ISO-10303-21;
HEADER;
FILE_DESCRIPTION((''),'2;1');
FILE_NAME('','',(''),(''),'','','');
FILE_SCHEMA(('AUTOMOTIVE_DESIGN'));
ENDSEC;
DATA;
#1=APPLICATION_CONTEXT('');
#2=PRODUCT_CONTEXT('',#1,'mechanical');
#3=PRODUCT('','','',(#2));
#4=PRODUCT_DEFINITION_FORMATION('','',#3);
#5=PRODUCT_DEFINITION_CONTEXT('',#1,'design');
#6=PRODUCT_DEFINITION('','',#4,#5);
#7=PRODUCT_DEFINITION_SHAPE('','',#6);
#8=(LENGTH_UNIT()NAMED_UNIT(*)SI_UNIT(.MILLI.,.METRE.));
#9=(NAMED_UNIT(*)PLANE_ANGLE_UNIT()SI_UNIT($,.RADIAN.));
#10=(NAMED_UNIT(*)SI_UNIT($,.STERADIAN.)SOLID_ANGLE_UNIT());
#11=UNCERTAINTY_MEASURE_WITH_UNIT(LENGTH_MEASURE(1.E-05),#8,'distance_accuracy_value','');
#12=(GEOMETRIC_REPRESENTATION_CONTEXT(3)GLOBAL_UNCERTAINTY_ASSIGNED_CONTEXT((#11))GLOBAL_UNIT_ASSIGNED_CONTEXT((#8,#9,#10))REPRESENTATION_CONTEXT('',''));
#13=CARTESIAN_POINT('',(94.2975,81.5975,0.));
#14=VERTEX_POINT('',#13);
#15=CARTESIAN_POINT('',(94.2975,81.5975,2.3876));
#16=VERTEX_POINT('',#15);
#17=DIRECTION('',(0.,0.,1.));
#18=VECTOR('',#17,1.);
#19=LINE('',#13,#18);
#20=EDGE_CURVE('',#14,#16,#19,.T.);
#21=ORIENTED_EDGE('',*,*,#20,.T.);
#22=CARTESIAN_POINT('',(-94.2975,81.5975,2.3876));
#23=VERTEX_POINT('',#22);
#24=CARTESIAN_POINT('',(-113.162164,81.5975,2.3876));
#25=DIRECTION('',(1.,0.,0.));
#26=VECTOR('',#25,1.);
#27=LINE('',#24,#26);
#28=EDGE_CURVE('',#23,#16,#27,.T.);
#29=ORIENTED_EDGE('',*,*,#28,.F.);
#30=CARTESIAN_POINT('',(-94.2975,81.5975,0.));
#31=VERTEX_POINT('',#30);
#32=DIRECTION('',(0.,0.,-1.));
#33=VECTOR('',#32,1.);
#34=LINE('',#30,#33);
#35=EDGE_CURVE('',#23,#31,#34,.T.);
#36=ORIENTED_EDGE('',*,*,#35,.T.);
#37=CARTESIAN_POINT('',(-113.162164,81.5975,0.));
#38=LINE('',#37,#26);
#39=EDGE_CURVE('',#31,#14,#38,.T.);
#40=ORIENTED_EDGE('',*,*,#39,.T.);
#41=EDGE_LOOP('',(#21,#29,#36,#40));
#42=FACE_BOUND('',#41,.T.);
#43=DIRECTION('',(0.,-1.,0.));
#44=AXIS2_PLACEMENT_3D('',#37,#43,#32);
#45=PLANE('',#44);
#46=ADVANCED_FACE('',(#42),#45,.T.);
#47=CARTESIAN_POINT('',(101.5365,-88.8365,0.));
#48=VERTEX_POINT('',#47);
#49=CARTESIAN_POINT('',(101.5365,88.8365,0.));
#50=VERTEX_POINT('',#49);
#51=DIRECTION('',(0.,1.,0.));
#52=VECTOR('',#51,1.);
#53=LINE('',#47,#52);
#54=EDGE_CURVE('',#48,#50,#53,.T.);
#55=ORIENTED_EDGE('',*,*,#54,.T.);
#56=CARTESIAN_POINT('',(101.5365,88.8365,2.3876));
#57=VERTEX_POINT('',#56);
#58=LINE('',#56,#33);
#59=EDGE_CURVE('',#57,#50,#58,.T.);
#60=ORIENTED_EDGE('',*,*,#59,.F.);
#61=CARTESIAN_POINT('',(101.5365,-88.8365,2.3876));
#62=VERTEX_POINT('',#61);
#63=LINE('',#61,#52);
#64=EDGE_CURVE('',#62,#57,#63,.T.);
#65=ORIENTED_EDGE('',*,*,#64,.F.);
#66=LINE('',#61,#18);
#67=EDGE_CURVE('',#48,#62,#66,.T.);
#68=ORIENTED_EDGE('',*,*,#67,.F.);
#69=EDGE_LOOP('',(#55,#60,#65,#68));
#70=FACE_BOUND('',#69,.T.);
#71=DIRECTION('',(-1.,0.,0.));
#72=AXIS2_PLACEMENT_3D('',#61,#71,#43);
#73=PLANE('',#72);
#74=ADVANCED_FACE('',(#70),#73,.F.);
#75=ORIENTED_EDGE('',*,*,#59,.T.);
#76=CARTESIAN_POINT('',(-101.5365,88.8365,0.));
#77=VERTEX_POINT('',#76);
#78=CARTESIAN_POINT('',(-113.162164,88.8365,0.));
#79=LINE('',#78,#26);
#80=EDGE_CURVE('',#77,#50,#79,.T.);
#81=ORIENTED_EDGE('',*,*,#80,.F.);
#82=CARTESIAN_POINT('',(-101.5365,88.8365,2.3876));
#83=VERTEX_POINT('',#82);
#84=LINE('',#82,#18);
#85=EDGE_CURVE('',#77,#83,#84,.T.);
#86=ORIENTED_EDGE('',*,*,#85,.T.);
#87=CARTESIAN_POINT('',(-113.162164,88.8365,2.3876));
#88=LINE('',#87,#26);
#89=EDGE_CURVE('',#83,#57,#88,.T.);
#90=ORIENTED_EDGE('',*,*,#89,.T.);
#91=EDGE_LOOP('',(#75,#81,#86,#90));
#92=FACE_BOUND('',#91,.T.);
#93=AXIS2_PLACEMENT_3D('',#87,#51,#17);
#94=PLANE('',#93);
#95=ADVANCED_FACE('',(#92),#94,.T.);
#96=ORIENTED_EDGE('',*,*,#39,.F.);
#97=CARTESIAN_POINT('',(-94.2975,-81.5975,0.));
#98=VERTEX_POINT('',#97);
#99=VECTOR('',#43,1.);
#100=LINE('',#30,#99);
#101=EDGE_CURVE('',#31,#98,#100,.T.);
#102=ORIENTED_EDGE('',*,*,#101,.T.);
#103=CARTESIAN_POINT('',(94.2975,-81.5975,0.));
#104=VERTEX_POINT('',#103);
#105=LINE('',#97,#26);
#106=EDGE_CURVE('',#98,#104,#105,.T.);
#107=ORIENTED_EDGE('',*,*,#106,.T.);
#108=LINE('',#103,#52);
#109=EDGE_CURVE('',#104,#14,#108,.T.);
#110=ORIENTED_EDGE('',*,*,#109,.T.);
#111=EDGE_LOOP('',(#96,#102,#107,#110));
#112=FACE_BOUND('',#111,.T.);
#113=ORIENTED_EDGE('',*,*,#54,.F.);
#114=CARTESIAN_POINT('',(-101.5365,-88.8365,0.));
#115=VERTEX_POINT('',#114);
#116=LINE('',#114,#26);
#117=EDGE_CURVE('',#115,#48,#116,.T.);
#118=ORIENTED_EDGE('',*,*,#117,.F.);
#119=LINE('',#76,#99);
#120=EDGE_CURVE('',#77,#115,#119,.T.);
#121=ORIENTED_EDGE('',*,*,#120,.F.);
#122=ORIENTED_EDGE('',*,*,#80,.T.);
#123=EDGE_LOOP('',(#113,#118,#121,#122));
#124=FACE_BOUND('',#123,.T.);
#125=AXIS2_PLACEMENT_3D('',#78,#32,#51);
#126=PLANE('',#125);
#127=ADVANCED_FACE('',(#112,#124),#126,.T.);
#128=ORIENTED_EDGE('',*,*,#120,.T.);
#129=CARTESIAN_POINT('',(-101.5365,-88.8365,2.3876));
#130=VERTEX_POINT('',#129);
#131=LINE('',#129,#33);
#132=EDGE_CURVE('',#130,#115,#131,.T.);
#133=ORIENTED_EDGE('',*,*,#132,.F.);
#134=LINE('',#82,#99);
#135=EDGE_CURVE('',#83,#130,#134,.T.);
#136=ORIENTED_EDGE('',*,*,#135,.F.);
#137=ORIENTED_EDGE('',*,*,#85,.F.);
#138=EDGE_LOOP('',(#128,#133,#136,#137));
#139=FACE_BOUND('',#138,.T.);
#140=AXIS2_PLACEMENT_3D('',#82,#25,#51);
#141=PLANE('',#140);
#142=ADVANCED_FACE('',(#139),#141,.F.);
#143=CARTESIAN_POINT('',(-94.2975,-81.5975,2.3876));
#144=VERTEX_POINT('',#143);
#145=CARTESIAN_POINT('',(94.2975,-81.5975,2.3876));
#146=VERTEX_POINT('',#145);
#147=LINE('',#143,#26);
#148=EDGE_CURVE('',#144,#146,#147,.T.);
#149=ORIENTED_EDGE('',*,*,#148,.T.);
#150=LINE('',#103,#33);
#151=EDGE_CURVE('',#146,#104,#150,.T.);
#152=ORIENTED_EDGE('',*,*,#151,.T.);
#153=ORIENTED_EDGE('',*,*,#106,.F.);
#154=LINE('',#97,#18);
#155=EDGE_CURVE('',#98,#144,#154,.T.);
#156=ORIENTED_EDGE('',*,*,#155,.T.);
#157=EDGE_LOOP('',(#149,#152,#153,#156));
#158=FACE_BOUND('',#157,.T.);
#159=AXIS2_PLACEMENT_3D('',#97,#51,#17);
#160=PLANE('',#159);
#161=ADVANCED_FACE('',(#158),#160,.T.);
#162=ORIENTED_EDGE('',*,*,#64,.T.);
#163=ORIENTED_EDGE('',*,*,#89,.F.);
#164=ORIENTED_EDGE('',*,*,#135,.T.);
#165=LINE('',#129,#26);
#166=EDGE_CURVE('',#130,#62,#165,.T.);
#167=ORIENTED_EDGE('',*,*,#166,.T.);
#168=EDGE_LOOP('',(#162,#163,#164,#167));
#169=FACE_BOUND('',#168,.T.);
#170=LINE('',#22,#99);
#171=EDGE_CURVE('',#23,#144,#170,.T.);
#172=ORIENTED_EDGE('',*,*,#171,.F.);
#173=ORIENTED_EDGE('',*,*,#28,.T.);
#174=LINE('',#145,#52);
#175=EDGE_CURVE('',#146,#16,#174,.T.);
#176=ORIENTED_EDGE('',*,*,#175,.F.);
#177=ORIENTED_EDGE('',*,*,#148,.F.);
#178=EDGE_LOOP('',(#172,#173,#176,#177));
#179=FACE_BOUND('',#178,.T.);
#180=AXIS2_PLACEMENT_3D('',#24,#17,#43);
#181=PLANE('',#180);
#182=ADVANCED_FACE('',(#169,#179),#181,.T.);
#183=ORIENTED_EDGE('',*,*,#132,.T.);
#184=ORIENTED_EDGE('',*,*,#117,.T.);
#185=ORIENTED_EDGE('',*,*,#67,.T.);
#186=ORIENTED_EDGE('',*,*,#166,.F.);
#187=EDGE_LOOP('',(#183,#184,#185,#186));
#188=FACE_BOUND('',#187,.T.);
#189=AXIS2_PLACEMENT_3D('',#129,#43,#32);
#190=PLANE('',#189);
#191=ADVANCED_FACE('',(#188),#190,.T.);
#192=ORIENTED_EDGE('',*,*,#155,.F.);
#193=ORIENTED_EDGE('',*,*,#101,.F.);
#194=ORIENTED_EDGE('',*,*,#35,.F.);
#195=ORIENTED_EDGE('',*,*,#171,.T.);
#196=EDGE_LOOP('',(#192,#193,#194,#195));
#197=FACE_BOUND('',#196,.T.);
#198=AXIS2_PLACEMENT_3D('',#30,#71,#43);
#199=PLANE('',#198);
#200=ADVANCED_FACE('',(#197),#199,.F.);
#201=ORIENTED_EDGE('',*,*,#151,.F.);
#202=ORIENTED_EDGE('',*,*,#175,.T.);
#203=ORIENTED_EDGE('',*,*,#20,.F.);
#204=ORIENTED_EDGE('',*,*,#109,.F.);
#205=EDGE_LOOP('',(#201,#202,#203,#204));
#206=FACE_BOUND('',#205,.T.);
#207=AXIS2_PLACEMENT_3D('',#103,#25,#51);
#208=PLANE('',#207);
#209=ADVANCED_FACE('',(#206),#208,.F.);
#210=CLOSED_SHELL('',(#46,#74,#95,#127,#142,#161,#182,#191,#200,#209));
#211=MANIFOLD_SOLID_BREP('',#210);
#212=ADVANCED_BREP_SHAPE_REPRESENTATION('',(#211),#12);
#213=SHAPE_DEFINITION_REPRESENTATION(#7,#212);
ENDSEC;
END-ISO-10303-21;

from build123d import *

# Parameters (mm, degrees)
SKETCH2_W = 2.3876
SKETCH2_H = 7.239


with BuildPart() as part:
    # Sweep1: sweep along a path in Sketch1
    with BuildLine(Plane.XY) as sweep1_path:
        Line((-97.917, 85.217), (97.917, 85.217))
        Line((97.917, 85.217), (97.917, -85.217))
        Line((97.917, -85.217), (-97.917, -85.217))
        Line((-97.917, -85.217), (-97.917, 85.217))
    # Sketch2 → Sweep1 (sweep)
    with BuildSketch(Plane(origin=(0, 0, 0), x_dir=(0, 0, -1), z_dir=(1, 0, 0))):
        with Locations((-1.1938, 85.217)):
            Rectangle(SKETCH2_W, SKETCH2_H)
    sweep(path=sweep1_path.line, transition=Transition.RIGHT)


solid = part.part
